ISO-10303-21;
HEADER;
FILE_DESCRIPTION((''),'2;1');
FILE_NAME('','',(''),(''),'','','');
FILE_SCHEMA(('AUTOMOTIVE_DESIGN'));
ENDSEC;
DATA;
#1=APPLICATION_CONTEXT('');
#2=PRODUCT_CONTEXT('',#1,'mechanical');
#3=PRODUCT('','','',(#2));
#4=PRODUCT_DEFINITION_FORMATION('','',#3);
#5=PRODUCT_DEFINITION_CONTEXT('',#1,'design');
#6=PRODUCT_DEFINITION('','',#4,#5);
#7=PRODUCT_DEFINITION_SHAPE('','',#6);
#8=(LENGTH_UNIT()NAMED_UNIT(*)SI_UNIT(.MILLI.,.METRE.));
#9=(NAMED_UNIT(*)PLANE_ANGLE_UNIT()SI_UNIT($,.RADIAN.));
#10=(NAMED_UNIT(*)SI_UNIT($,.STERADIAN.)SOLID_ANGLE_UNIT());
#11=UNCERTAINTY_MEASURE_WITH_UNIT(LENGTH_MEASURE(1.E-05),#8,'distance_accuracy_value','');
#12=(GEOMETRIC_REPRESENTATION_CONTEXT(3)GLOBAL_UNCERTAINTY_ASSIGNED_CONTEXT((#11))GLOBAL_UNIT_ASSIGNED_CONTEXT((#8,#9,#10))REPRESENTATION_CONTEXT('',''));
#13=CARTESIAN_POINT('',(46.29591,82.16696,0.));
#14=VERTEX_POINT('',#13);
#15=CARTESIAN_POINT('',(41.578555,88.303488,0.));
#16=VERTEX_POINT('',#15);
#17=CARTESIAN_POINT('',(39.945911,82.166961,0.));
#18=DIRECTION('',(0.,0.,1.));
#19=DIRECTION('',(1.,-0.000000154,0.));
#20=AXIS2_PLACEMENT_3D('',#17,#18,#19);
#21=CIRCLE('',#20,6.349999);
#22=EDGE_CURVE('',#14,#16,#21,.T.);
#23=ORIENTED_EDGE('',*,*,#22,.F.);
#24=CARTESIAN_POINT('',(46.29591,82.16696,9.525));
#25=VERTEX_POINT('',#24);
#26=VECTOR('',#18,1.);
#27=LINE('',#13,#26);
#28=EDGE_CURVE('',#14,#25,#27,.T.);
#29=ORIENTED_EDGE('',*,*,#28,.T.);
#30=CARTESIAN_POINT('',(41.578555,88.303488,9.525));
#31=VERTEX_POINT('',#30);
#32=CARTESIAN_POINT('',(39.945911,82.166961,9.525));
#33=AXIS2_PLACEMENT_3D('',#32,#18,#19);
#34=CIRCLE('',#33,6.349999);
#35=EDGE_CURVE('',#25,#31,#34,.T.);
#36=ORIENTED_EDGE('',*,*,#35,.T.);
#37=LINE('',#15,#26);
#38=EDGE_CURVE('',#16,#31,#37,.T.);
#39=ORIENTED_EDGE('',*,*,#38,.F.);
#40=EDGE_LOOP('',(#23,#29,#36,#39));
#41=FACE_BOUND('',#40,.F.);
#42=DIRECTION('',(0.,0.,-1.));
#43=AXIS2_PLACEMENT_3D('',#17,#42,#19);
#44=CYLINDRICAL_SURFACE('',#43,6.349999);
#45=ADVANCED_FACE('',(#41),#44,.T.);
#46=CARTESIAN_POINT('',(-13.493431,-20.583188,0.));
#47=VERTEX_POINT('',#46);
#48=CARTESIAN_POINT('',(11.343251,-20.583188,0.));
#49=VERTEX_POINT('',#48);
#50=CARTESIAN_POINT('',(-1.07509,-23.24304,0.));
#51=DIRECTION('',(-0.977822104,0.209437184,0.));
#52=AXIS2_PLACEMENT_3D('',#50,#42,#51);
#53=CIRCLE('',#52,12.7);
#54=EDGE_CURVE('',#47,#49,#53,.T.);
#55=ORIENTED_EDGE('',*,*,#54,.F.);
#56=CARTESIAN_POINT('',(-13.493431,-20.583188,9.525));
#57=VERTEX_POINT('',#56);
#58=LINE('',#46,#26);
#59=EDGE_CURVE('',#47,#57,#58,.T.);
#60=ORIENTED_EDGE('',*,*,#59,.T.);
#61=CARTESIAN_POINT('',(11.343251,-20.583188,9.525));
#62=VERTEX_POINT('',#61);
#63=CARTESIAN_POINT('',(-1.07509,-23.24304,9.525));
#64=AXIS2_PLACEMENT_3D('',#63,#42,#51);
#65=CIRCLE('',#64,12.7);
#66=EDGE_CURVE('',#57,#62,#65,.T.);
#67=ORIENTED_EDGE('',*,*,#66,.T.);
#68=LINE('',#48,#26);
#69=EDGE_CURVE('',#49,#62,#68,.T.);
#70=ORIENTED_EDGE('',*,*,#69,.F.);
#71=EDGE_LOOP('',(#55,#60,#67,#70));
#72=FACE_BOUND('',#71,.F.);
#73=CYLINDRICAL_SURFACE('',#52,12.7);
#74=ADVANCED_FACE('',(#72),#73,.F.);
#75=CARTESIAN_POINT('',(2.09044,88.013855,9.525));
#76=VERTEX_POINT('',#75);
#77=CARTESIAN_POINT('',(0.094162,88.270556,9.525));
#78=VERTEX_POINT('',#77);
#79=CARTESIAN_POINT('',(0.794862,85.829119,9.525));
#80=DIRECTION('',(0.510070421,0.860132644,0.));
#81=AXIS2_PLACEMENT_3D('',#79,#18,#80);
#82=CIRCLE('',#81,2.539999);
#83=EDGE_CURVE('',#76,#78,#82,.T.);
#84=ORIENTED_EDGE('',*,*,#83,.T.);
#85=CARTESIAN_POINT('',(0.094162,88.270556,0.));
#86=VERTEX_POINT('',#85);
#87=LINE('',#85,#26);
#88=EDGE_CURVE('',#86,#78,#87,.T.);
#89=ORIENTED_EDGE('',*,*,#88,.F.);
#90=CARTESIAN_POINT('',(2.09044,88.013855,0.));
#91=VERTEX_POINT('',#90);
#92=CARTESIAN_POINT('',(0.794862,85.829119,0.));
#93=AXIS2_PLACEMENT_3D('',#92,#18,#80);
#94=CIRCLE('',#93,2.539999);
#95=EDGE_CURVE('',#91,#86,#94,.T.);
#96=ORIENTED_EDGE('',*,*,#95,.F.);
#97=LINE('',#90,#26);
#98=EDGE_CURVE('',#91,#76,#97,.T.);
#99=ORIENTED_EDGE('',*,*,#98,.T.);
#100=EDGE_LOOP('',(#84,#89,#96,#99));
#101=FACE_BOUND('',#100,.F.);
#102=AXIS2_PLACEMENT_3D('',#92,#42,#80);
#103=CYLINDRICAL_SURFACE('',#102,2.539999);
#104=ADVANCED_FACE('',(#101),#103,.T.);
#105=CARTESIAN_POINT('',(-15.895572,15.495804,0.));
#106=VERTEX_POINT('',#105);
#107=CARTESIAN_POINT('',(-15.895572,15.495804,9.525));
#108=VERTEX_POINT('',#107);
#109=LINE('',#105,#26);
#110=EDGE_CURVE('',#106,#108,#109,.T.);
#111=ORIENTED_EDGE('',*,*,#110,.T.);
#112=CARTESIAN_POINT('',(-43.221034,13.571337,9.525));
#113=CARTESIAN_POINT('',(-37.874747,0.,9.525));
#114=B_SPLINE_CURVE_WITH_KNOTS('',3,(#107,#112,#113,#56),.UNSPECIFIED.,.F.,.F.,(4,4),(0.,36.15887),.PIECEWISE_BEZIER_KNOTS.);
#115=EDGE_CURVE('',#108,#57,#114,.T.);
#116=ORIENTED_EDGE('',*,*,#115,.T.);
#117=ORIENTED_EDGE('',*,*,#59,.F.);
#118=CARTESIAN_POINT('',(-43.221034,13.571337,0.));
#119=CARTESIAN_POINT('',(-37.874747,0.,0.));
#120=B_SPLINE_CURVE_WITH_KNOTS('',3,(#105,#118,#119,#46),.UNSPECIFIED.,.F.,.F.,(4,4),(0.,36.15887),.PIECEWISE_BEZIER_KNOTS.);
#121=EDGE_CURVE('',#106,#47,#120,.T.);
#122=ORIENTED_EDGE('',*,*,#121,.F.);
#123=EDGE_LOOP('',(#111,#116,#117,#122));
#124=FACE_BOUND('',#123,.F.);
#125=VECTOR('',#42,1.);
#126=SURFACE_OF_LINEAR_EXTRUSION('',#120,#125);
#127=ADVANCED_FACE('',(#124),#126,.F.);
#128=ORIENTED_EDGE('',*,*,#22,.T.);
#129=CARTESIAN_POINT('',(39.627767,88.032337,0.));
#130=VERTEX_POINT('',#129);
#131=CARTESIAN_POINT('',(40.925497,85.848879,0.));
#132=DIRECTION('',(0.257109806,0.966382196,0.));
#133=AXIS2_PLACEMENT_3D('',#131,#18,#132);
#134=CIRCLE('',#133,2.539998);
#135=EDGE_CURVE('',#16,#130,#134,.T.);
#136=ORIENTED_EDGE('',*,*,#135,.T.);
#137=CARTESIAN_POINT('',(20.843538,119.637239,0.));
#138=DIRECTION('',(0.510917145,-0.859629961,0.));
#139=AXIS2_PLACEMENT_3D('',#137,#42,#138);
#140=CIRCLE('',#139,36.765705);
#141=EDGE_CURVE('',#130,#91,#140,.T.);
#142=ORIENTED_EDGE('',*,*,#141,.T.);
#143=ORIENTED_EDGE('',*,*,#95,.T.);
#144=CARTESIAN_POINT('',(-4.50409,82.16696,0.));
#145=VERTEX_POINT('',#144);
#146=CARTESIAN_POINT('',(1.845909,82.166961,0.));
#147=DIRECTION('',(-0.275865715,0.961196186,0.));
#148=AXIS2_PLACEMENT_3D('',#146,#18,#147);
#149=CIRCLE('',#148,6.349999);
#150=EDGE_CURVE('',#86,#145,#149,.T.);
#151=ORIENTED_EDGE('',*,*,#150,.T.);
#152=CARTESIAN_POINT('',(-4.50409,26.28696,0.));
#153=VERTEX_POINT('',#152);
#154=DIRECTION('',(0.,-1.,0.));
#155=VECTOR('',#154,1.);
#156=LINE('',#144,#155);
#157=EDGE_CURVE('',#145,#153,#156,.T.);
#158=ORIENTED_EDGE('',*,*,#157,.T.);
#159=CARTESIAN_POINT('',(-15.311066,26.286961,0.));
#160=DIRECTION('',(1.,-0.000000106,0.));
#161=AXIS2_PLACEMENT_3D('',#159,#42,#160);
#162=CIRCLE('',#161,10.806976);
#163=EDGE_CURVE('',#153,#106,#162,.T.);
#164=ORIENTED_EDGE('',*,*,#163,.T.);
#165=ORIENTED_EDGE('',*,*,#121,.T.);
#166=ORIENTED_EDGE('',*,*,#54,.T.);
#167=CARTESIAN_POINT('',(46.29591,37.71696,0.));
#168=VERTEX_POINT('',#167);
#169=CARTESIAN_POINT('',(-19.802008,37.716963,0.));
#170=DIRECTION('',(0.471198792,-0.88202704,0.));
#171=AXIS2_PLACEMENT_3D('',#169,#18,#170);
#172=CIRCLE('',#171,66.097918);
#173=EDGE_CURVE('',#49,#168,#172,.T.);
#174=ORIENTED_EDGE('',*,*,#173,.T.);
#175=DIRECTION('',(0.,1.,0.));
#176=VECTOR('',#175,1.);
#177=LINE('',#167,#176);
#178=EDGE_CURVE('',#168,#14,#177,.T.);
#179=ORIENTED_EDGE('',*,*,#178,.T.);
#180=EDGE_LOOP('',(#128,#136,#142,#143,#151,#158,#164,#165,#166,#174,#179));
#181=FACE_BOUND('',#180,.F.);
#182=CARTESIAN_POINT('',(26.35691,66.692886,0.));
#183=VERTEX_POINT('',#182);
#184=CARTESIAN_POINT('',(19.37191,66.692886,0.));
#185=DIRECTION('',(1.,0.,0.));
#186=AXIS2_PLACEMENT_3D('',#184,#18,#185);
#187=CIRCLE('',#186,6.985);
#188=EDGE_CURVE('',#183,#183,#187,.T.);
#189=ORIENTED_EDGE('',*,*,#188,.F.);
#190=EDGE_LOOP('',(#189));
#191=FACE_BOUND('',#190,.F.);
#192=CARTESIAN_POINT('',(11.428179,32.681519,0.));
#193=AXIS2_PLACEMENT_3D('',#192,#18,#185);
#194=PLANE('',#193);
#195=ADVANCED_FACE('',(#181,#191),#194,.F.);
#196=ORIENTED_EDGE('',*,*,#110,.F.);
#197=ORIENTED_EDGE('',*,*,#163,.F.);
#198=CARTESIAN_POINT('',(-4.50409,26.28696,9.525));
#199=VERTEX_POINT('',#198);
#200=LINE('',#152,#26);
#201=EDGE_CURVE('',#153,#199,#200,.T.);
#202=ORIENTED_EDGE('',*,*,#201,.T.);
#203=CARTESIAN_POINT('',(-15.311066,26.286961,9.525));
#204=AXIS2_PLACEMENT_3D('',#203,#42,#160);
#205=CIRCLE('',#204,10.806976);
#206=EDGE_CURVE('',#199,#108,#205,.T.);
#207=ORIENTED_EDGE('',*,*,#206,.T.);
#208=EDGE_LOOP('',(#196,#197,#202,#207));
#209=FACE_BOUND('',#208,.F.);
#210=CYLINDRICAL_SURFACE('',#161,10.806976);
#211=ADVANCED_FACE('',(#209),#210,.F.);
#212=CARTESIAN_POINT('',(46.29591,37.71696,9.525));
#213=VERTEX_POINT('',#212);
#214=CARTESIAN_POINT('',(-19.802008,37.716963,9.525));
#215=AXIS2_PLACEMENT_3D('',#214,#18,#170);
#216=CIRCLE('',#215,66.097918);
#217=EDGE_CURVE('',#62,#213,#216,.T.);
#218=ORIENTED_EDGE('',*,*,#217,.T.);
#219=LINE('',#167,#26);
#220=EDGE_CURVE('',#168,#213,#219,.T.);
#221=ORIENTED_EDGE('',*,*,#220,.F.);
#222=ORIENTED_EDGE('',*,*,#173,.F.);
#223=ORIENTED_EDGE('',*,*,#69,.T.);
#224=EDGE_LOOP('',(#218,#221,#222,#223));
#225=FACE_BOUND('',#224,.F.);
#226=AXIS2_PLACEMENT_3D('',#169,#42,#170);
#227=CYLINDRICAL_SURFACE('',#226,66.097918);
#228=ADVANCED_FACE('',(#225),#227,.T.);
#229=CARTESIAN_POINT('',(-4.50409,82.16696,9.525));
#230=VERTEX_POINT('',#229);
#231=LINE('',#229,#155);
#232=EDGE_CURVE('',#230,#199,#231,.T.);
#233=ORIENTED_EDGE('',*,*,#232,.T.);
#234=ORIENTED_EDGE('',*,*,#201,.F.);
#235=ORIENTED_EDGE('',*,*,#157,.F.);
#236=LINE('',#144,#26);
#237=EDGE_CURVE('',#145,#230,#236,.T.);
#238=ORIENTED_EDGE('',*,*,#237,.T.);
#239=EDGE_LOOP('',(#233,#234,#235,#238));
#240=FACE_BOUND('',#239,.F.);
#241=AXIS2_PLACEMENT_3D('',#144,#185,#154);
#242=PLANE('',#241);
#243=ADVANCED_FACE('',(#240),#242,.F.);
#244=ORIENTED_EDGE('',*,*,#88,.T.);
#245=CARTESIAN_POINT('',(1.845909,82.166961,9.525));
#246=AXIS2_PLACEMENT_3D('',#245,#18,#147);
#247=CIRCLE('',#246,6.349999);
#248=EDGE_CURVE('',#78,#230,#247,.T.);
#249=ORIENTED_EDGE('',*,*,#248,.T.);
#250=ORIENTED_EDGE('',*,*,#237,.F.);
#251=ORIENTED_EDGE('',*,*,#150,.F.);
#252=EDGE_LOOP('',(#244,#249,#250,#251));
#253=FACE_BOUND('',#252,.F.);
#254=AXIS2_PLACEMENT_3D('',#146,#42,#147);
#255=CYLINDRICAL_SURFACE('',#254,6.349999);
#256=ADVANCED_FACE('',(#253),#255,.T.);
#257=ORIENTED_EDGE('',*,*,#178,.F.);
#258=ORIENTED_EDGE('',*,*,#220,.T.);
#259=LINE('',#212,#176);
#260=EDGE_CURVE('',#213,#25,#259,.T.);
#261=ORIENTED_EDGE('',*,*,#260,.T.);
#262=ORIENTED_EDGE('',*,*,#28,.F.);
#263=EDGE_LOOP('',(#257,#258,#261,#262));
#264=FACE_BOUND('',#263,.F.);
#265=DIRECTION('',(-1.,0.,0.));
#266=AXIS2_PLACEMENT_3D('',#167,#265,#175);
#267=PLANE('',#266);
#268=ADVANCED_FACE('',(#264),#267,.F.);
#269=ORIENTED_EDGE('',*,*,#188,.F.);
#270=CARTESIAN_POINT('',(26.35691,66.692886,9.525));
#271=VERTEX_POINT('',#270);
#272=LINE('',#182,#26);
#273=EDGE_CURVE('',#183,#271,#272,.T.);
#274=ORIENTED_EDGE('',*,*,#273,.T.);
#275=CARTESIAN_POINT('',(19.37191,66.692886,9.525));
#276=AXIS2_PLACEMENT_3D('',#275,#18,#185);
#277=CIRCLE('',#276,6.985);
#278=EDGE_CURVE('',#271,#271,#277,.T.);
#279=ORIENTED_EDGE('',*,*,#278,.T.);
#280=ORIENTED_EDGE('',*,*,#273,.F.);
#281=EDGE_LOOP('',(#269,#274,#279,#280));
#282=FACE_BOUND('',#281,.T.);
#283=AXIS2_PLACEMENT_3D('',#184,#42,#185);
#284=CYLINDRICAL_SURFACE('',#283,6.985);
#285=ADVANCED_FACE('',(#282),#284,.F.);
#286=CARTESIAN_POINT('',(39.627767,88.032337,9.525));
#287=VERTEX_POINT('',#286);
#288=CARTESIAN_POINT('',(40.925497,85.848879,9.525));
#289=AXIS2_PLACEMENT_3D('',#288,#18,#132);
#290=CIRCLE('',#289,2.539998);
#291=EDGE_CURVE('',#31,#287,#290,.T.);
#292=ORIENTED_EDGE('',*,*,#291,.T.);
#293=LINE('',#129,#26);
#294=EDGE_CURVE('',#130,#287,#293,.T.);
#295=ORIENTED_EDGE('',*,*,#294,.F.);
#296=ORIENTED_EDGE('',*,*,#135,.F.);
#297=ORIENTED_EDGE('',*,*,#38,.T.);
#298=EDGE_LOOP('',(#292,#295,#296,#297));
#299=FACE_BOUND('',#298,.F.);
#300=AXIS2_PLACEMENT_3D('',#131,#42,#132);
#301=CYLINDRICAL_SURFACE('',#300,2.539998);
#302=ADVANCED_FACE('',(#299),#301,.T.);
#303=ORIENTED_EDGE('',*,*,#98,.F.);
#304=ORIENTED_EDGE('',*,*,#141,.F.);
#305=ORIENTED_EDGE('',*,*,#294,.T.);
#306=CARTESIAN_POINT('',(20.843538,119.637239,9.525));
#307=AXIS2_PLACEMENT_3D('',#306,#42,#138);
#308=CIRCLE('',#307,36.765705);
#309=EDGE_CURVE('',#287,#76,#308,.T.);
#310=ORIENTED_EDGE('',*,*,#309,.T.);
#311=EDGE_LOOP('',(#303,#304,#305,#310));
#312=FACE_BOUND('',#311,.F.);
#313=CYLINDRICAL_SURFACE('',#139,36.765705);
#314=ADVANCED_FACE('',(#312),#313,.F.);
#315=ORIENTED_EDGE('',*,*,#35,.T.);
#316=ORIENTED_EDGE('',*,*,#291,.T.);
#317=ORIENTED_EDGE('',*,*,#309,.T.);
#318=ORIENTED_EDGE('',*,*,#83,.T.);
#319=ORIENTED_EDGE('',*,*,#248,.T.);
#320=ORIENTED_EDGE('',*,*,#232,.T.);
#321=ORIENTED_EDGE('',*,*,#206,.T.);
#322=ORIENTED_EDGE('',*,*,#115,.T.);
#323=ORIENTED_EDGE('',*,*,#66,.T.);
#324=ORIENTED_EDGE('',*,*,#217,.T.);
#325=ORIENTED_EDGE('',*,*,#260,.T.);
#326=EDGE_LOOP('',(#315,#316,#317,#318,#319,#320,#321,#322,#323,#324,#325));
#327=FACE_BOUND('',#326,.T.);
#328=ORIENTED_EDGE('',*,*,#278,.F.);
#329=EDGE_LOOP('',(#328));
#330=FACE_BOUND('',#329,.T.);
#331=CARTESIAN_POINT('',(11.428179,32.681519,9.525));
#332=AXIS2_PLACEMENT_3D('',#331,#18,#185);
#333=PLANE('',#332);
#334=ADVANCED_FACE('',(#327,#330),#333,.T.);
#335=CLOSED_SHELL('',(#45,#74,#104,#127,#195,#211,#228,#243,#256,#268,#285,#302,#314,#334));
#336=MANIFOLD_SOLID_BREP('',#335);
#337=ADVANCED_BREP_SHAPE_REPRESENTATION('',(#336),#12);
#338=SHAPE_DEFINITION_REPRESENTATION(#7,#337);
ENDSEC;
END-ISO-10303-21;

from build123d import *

# Parameters (mm, degrees)
F0_R     = 6.985
F1_DEPTH = 9.525


with BuildPart() as f1:
    # F0 (on Top) → F1 (new body)
    with BuildSketch(Plane.XY):
        with BuildLine():
            Line((-4.50409, 82.16696), (-4.50409, 26.28696))
            ThreePointArc((-4.50409, 26.28696), (-7.878907, 18.441342), (-15.895572, 15.495804))
            add(Edge.make_bspline(
                [(-15.895572, 15.495804), (-43.221034, 13.571337), (-37.874747, 0), (-13.493431, -20.583188)],
                knots=[0, 0, 0, 0, 36.15887, 36.15887, 36.15887, 36.15887], degree=3))
            ThreePointArc((-13.493431, -20.583188), (-1.07509, -10.54304), (11.343251, -20.583188))
            ThreePointArc((11.343251, -20.583188), (36.888253, 3.729479), (46.29591, 37.71696))
            Line((46.29591, 37.71696), (46.29591, 54.61071))
            Line((46.29591, 54.61071), (46.29591, 82.16696))
            ThreePointArc((46.29591, 82.16696), (44.980282, 86.037051), (41.578555, 88.303488))
            ThreePointArc((41.578555, 88.303488), (40.57581, 88.364691), (39.627767, 88.032337))
            ThreePointArc((39.627767, 88.032337), (20.86164, 82.871538), (2.09044, 88.013855))
            ThreePointArc((2.09044, 88.013855), (1.118812, 88.348375), (0.094162, 88.270556))
            ThreePointArc((0.094162, 88.270556), (-3.22588, 85.987883), (-4.50409, 82.16696))
        make_face()
        with Locations((19.37191, 66.692886)):
            Circle(F0_R, mode=Mode.SUBTRACT)
    extrude(amount=F1_DEPTH)


solid = f1.part
